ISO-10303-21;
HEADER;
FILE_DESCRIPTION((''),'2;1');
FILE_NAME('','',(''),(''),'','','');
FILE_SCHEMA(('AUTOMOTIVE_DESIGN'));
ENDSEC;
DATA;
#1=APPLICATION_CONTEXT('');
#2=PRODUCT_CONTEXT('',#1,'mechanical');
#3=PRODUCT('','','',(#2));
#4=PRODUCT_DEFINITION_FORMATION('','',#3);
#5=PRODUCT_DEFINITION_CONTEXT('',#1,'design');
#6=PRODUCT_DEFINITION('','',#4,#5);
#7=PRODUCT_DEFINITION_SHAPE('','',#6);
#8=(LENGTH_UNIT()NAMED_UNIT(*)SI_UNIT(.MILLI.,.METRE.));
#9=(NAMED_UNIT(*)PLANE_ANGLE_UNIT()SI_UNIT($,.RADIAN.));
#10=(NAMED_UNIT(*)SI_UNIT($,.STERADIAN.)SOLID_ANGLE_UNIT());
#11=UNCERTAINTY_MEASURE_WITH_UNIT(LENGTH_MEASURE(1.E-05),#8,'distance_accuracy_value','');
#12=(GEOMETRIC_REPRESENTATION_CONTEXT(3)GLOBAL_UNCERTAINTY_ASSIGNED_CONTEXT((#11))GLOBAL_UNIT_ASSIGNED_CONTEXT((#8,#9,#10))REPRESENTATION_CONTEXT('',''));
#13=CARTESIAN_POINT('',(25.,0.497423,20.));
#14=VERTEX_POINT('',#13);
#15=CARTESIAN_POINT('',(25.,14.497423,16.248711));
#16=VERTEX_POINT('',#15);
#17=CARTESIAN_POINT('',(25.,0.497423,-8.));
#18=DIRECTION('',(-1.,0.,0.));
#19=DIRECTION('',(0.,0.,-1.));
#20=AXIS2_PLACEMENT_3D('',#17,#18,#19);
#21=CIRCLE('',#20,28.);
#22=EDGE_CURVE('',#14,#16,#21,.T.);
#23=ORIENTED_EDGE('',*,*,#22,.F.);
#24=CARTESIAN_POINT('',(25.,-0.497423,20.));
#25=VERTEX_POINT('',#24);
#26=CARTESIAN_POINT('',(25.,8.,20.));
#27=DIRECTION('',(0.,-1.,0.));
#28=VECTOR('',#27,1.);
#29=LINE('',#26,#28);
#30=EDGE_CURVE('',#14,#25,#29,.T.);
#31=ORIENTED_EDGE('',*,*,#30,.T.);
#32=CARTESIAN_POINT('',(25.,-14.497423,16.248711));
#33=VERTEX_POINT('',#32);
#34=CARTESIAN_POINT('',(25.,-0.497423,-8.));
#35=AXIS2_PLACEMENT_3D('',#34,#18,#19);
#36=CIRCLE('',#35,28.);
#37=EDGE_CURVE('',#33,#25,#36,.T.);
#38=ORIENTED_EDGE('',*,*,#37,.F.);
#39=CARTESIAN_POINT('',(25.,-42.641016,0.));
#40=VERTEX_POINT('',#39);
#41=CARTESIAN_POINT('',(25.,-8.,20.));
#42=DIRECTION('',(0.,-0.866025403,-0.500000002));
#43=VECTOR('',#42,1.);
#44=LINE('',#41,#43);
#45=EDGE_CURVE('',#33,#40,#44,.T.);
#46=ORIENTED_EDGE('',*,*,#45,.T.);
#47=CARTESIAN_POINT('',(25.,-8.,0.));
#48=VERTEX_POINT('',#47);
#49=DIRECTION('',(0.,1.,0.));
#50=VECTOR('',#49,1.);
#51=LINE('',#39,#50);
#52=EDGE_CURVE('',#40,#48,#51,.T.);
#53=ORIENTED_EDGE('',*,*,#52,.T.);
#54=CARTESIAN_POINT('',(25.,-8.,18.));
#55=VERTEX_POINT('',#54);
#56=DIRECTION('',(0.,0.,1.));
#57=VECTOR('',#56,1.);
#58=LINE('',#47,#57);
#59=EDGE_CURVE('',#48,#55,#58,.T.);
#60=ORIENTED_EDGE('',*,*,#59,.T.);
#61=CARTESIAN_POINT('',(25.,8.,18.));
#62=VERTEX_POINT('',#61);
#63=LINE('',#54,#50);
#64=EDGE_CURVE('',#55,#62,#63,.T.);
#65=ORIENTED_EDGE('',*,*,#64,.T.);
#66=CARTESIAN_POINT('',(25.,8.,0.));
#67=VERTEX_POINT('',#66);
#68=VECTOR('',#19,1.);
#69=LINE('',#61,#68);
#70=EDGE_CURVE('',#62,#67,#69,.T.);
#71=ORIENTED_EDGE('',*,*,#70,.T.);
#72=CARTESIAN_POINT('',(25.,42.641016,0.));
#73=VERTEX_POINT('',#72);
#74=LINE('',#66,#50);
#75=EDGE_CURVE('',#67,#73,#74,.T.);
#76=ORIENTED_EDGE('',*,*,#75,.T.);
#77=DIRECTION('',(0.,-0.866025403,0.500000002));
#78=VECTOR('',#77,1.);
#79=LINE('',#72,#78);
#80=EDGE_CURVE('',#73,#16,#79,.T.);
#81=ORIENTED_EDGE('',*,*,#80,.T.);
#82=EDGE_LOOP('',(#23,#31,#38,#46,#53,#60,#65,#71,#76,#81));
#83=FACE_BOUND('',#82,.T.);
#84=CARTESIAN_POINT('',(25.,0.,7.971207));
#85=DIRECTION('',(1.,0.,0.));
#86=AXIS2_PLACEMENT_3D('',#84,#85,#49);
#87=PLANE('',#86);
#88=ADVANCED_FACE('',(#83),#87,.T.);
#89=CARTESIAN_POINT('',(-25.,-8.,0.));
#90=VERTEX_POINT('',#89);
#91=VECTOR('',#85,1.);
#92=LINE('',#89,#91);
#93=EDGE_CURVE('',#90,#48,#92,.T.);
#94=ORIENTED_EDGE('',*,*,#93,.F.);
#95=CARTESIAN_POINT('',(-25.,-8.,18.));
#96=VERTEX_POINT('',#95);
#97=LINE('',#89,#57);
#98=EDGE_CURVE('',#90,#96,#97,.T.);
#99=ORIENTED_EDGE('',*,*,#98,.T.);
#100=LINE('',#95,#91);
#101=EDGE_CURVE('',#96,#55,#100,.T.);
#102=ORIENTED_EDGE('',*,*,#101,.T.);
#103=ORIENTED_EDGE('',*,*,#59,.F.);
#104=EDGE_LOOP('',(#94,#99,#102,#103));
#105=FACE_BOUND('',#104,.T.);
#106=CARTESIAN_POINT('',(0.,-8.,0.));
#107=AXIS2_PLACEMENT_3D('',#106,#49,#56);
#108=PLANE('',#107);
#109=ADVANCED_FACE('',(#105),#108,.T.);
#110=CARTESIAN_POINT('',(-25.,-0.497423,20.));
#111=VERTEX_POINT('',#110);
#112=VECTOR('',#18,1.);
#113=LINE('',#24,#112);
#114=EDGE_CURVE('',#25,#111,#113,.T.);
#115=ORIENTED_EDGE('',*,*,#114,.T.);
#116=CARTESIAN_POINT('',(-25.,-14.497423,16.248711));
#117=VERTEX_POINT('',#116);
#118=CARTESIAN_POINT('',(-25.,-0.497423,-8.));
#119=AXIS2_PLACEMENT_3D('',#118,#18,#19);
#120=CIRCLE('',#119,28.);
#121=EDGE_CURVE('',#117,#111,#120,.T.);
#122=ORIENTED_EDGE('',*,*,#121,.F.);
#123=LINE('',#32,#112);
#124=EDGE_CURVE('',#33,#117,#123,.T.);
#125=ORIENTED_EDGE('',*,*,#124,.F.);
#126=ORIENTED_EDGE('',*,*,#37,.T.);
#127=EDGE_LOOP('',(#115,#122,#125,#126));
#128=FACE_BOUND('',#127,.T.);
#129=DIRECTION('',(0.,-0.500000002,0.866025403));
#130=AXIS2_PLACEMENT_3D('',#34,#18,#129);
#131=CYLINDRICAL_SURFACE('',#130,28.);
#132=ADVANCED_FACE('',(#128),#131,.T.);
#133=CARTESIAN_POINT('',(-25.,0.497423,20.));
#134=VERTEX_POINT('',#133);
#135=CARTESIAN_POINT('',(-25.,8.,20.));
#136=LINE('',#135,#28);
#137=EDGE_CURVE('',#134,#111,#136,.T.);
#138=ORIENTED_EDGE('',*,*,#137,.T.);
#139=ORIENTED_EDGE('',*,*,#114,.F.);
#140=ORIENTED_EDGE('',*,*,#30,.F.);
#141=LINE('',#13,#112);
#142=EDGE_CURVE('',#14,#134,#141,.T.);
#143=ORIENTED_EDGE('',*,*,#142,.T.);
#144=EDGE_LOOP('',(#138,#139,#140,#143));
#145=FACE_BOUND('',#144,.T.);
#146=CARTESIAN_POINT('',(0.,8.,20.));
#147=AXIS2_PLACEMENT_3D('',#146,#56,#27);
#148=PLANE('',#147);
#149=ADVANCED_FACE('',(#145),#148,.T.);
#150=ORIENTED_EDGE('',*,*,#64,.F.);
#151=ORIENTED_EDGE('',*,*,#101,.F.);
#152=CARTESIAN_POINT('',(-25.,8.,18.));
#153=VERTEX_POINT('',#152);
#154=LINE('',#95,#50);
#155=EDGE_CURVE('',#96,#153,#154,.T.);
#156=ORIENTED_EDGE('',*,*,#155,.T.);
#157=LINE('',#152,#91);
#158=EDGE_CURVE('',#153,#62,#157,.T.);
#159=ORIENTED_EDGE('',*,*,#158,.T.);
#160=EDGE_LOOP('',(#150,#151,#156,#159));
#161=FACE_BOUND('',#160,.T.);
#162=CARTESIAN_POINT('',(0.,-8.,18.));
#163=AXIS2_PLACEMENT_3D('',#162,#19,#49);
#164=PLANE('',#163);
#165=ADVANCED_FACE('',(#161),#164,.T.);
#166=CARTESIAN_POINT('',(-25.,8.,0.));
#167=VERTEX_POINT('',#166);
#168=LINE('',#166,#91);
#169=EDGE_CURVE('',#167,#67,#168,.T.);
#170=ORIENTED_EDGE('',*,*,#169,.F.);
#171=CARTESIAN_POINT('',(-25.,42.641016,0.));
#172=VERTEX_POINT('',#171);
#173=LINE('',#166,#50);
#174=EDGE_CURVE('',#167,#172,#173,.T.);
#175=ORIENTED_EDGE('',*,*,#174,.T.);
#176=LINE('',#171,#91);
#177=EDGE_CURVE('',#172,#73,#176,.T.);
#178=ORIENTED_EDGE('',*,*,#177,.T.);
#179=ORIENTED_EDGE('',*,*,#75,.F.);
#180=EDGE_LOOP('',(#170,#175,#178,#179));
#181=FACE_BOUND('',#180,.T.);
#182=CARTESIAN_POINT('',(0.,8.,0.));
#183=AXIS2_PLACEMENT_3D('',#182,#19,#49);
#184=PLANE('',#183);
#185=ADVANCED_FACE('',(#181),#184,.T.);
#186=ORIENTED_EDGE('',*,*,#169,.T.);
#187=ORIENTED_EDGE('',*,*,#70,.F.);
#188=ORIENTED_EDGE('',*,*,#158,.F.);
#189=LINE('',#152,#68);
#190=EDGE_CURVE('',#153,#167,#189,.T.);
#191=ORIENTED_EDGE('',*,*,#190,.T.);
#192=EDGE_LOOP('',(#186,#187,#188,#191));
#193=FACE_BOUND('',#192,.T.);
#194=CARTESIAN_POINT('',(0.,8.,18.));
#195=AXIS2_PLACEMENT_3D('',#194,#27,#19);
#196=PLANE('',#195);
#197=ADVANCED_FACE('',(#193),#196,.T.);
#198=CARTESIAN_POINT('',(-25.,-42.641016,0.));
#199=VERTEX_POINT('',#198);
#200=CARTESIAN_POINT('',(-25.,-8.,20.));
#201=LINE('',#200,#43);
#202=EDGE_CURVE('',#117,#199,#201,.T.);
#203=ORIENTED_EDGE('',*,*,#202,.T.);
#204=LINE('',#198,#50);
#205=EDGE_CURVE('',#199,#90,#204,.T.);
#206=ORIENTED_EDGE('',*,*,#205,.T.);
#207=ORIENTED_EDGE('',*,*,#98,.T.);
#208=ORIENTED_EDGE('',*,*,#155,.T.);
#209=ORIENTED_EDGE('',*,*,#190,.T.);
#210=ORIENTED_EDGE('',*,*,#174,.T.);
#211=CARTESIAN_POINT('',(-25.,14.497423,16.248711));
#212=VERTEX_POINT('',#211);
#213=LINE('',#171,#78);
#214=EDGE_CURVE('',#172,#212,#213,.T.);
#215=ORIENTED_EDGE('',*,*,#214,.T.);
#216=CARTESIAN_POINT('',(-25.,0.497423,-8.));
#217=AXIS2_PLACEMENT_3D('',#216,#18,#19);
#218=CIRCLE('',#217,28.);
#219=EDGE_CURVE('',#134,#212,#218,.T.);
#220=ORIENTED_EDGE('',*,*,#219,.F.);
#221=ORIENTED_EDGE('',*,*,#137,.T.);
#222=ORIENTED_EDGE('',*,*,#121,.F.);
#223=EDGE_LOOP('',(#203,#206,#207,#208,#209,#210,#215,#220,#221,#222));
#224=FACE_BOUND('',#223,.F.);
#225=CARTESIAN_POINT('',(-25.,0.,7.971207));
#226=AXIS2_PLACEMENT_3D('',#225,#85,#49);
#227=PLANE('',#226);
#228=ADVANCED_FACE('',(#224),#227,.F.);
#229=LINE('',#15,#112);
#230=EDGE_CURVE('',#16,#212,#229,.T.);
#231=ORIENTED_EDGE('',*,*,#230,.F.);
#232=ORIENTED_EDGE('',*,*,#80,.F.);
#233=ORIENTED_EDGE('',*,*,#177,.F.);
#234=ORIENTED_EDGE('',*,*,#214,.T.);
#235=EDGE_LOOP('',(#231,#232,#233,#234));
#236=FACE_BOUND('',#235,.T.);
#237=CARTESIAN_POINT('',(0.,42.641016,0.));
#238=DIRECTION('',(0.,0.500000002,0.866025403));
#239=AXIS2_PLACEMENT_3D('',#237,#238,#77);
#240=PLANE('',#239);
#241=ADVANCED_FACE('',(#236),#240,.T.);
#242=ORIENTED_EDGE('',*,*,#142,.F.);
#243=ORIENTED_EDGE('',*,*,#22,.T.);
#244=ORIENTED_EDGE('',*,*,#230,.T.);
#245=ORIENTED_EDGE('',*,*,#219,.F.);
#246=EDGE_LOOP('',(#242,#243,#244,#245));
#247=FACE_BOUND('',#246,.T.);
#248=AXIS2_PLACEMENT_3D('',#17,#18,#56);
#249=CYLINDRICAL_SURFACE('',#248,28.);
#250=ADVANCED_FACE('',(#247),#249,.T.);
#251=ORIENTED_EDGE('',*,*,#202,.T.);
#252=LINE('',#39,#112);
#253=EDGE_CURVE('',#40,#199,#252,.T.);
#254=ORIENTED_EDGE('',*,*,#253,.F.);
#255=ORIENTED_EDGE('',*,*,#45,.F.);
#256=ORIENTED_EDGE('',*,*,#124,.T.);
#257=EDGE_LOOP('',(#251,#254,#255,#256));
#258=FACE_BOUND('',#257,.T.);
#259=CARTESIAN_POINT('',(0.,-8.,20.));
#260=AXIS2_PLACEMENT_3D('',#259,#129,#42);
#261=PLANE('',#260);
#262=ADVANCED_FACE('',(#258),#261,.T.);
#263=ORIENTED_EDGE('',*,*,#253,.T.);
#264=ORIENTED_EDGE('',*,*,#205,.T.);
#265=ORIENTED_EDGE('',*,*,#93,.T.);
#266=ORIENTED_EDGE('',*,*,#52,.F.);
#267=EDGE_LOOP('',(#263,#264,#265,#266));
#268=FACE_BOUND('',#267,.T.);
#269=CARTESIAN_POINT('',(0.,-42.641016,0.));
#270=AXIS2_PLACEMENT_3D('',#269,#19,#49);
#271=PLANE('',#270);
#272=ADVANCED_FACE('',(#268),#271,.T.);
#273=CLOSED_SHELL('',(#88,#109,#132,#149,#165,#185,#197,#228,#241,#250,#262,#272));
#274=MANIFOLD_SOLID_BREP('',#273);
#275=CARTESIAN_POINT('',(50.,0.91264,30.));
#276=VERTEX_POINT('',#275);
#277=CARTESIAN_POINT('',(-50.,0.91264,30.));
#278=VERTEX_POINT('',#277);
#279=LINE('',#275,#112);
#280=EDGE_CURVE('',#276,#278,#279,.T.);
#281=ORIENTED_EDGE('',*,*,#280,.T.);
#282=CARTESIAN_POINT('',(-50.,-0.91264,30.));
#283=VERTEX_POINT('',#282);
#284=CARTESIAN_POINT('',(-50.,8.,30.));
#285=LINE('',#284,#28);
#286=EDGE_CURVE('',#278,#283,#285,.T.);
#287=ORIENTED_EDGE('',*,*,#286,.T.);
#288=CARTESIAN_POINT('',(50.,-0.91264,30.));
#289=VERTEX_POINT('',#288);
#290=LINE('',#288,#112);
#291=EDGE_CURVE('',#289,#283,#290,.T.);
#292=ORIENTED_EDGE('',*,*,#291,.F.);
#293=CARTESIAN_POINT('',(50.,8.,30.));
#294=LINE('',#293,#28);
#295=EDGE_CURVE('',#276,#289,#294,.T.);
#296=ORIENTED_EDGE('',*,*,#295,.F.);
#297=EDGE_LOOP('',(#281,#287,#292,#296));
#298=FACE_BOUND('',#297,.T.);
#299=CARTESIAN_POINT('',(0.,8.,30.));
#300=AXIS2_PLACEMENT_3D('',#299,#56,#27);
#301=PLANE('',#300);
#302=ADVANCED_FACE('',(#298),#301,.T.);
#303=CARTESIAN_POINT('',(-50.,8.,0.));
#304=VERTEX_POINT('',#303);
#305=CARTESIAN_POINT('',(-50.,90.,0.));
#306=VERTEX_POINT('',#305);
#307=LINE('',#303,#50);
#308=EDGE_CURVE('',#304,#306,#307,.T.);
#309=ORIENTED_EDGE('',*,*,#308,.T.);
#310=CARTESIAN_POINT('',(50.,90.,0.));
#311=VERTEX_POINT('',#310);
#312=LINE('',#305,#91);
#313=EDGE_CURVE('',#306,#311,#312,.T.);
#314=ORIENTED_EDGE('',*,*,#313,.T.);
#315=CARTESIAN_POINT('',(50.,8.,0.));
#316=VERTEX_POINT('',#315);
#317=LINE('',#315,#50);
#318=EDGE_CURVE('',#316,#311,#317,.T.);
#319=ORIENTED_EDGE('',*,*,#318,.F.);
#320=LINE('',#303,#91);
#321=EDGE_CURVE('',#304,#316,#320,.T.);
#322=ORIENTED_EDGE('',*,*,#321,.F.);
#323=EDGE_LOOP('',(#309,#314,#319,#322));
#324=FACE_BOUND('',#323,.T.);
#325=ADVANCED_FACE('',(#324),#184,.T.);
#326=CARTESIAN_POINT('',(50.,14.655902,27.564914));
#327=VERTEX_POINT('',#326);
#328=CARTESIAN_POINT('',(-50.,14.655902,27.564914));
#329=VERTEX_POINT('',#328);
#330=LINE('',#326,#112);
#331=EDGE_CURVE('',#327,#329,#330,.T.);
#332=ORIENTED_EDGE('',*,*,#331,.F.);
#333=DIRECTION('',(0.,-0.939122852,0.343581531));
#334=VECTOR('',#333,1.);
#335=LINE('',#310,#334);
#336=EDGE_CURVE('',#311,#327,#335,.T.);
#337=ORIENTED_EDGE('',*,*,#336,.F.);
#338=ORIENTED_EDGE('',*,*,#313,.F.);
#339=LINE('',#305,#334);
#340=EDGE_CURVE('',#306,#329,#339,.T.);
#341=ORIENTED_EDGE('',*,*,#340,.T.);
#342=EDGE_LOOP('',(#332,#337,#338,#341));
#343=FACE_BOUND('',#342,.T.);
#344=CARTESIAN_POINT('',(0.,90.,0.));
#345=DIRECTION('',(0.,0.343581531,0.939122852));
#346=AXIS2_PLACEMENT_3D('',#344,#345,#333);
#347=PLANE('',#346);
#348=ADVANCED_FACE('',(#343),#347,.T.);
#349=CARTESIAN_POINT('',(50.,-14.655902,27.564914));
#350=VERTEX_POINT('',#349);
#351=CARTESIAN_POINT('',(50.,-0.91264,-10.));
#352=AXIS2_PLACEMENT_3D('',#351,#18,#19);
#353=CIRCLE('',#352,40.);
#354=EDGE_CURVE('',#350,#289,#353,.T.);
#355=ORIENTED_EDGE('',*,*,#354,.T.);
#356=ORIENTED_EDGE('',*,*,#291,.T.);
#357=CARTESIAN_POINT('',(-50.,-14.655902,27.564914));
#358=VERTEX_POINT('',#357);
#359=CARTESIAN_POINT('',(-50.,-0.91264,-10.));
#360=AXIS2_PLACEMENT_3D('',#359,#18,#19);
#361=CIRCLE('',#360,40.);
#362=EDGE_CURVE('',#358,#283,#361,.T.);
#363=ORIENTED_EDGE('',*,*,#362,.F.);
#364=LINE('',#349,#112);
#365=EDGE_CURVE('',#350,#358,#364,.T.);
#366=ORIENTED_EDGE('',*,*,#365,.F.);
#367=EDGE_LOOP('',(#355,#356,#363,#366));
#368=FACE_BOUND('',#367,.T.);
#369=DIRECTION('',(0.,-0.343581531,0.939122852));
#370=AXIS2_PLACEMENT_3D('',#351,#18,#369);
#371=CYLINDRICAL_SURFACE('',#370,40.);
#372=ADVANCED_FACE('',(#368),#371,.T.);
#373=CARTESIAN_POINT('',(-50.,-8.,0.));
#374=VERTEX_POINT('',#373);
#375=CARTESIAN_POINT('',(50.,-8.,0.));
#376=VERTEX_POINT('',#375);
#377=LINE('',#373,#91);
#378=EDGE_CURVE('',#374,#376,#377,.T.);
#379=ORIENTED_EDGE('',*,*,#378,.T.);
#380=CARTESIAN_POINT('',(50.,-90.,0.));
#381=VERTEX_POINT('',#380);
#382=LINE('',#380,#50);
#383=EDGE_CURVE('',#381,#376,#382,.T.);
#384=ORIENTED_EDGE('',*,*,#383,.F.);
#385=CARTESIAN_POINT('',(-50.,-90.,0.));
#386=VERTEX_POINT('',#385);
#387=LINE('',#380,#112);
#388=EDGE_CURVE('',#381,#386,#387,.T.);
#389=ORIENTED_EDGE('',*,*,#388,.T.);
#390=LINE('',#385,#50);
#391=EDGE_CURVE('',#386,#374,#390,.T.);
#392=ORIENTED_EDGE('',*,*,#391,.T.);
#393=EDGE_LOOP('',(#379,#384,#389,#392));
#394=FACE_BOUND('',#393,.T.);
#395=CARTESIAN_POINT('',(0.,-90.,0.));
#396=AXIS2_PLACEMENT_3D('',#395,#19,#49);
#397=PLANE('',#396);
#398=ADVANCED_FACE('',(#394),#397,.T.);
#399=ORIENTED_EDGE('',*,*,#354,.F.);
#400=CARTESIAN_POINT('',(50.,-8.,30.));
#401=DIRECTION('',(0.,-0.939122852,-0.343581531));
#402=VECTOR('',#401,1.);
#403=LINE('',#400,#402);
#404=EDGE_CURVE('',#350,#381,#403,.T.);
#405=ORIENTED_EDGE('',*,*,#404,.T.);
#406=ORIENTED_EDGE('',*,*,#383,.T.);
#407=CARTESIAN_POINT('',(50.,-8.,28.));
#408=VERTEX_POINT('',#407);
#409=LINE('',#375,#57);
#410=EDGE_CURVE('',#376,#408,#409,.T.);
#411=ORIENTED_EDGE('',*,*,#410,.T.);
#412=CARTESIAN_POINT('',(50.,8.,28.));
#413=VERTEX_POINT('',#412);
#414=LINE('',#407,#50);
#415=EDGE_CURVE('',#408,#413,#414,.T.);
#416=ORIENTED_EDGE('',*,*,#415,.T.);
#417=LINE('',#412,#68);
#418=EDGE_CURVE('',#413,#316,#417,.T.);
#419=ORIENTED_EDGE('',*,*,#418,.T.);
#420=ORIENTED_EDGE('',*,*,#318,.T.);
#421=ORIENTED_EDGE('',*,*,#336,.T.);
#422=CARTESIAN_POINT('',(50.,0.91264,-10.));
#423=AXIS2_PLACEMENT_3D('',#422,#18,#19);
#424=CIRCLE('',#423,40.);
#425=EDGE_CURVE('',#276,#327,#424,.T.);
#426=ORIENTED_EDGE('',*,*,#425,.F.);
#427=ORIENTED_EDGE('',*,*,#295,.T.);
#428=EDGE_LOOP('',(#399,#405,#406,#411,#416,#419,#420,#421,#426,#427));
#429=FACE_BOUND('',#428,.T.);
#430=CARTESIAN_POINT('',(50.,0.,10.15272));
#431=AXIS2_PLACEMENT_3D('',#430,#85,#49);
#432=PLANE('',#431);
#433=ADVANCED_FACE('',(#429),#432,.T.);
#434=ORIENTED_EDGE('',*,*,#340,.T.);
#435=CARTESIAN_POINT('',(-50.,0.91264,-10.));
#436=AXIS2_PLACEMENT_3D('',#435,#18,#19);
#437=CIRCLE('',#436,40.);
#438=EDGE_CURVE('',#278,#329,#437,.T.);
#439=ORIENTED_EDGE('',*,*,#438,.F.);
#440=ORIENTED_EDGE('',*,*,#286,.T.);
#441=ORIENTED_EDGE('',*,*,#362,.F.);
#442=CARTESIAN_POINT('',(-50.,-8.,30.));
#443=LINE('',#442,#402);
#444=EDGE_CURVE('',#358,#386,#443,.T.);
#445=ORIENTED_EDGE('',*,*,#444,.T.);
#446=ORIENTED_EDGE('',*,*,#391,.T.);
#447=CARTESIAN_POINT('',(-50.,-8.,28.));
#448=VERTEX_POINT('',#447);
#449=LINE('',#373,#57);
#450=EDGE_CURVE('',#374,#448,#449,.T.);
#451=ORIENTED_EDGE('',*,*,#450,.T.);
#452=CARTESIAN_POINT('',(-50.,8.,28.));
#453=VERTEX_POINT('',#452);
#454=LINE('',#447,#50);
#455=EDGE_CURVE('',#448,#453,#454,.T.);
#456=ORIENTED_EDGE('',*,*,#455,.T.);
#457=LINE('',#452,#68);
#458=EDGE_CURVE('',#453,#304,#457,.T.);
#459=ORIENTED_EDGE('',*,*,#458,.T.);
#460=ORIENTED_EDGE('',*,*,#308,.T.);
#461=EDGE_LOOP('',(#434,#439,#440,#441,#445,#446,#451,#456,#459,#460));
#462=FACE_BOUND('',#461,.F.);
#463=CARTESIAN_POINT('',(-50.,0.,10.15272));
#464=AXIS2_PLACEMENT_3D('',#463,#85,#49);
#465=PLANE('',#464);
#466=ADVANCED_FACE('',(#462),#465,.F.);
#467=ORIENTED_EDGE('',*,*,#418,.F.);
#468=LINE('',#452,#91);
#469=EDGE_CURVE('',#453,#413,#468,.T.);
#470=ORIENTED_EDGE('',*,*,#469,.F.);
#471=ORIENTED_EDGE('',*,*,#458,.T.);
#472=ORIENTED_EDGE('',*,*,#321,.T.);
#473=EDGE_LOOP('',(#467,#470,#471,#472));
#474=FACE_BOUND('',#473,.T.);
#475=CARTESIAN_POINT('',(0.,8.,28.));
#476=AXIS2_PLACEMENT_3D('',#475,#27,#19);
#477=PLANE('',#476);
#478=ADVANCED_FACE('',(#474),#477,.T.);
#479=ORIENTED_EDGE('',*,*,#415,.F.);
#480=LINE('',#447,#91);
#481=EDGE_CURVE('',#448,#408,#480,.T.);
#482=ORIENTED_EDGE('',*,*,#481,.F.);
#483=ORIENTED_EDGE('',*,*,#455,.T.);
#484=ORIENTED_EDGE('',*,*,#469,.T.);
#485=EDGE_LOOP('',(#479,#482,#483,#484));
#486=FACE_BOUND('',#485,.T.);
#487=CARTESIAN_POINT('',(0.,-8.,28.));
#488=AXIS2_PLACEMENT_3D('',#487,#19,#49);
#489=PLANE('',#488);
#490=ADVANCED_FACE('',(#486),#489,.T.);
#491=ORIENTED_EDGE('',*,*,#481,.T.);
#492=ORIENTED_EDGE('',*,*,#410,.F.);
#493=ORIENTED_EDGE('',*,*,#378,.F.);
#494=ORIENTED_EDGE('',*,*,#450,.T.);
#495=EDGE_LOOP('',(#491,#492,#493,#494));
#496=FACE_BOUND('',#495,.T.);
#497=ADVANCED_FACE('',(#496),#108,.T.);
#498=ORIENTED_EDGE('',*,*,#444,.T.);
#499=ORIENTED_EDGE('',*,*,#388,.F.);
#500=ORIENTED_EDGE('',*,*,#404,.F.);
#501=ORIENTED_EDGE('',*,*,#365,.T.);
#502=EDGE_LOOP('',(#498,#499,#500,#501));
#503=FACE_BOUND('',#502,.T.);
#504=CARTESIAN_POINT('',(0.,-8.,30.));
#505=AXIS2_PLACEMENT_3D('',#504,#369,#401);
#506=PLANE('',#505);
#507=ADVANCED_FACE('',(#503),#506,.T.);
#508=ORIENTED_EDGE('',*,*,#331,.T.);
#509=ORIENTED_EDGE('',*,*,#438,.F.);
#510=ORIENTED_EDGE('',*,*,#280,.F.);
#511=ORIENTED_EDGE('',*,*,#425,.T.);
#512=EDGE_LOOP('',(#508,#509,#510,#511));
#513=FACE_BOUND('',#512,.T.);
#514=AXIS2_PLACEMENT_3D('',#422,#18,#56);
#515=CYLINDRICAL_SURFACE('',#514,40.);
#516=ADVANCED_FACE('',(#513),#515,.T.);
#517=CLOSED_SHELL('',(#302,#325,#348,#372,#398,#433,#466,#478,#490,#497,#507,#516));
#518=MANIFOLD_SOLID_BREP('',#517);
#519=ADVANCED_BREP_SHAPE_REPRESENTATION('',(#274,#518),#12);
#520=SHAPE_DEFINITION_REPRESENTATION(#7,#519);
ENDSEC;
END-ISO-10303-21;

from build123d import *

# Parameters (mm, degrees)
PAD_DEPTH    = 25
FILLET_R     = 28
PAD001_DEPTH = 50
FILLET001_R  = 40


with BuildPart() as f_30deg:
    # Sketch → Pad (new body, symmetric)
    with BuildSketch(Plane.YZ):
        Polygon((-42.641016, 0), (-8, 0), (-8, 18), (8, 18), (8, 0), (42.641016, 0), (8, 20), (-8, 20), align=None)
    extrude(amount=PAD_DEPTH, both=True)

    # Fillet
    fillet_edges = [f_30deg.edges().sort_by_distance(p)[0] for p in [
        (0, -8, 20),
        (0, 8, 20),
    ]]
    fillet(fillet_edges, radius=FILLET_R)


with BuildPart() as f_15deg:
    # Sketch001 → Pad001 (new body, symmetric)
    with BuildSketch(Plane.YZ):
        Polygon((-90, 0), (-8, 0), (-8, 28), (8, 28), (8, 0), (90, 0), (8, 30), (-8, 30), align=None)
    extrude(amount=PAD001_DEPTH, both=True)

    # Fillet001
    fillet001_edges = [f_15deg.edges().sort_by_distance(p)[0] for p in [
        (0, -8, 30),
        (0, 8, 30),
    ]]
    fillet(fillet001_edges, radius=FILLET001_R)


solid = Compound([f_30deg.part, f_15deg.part])
